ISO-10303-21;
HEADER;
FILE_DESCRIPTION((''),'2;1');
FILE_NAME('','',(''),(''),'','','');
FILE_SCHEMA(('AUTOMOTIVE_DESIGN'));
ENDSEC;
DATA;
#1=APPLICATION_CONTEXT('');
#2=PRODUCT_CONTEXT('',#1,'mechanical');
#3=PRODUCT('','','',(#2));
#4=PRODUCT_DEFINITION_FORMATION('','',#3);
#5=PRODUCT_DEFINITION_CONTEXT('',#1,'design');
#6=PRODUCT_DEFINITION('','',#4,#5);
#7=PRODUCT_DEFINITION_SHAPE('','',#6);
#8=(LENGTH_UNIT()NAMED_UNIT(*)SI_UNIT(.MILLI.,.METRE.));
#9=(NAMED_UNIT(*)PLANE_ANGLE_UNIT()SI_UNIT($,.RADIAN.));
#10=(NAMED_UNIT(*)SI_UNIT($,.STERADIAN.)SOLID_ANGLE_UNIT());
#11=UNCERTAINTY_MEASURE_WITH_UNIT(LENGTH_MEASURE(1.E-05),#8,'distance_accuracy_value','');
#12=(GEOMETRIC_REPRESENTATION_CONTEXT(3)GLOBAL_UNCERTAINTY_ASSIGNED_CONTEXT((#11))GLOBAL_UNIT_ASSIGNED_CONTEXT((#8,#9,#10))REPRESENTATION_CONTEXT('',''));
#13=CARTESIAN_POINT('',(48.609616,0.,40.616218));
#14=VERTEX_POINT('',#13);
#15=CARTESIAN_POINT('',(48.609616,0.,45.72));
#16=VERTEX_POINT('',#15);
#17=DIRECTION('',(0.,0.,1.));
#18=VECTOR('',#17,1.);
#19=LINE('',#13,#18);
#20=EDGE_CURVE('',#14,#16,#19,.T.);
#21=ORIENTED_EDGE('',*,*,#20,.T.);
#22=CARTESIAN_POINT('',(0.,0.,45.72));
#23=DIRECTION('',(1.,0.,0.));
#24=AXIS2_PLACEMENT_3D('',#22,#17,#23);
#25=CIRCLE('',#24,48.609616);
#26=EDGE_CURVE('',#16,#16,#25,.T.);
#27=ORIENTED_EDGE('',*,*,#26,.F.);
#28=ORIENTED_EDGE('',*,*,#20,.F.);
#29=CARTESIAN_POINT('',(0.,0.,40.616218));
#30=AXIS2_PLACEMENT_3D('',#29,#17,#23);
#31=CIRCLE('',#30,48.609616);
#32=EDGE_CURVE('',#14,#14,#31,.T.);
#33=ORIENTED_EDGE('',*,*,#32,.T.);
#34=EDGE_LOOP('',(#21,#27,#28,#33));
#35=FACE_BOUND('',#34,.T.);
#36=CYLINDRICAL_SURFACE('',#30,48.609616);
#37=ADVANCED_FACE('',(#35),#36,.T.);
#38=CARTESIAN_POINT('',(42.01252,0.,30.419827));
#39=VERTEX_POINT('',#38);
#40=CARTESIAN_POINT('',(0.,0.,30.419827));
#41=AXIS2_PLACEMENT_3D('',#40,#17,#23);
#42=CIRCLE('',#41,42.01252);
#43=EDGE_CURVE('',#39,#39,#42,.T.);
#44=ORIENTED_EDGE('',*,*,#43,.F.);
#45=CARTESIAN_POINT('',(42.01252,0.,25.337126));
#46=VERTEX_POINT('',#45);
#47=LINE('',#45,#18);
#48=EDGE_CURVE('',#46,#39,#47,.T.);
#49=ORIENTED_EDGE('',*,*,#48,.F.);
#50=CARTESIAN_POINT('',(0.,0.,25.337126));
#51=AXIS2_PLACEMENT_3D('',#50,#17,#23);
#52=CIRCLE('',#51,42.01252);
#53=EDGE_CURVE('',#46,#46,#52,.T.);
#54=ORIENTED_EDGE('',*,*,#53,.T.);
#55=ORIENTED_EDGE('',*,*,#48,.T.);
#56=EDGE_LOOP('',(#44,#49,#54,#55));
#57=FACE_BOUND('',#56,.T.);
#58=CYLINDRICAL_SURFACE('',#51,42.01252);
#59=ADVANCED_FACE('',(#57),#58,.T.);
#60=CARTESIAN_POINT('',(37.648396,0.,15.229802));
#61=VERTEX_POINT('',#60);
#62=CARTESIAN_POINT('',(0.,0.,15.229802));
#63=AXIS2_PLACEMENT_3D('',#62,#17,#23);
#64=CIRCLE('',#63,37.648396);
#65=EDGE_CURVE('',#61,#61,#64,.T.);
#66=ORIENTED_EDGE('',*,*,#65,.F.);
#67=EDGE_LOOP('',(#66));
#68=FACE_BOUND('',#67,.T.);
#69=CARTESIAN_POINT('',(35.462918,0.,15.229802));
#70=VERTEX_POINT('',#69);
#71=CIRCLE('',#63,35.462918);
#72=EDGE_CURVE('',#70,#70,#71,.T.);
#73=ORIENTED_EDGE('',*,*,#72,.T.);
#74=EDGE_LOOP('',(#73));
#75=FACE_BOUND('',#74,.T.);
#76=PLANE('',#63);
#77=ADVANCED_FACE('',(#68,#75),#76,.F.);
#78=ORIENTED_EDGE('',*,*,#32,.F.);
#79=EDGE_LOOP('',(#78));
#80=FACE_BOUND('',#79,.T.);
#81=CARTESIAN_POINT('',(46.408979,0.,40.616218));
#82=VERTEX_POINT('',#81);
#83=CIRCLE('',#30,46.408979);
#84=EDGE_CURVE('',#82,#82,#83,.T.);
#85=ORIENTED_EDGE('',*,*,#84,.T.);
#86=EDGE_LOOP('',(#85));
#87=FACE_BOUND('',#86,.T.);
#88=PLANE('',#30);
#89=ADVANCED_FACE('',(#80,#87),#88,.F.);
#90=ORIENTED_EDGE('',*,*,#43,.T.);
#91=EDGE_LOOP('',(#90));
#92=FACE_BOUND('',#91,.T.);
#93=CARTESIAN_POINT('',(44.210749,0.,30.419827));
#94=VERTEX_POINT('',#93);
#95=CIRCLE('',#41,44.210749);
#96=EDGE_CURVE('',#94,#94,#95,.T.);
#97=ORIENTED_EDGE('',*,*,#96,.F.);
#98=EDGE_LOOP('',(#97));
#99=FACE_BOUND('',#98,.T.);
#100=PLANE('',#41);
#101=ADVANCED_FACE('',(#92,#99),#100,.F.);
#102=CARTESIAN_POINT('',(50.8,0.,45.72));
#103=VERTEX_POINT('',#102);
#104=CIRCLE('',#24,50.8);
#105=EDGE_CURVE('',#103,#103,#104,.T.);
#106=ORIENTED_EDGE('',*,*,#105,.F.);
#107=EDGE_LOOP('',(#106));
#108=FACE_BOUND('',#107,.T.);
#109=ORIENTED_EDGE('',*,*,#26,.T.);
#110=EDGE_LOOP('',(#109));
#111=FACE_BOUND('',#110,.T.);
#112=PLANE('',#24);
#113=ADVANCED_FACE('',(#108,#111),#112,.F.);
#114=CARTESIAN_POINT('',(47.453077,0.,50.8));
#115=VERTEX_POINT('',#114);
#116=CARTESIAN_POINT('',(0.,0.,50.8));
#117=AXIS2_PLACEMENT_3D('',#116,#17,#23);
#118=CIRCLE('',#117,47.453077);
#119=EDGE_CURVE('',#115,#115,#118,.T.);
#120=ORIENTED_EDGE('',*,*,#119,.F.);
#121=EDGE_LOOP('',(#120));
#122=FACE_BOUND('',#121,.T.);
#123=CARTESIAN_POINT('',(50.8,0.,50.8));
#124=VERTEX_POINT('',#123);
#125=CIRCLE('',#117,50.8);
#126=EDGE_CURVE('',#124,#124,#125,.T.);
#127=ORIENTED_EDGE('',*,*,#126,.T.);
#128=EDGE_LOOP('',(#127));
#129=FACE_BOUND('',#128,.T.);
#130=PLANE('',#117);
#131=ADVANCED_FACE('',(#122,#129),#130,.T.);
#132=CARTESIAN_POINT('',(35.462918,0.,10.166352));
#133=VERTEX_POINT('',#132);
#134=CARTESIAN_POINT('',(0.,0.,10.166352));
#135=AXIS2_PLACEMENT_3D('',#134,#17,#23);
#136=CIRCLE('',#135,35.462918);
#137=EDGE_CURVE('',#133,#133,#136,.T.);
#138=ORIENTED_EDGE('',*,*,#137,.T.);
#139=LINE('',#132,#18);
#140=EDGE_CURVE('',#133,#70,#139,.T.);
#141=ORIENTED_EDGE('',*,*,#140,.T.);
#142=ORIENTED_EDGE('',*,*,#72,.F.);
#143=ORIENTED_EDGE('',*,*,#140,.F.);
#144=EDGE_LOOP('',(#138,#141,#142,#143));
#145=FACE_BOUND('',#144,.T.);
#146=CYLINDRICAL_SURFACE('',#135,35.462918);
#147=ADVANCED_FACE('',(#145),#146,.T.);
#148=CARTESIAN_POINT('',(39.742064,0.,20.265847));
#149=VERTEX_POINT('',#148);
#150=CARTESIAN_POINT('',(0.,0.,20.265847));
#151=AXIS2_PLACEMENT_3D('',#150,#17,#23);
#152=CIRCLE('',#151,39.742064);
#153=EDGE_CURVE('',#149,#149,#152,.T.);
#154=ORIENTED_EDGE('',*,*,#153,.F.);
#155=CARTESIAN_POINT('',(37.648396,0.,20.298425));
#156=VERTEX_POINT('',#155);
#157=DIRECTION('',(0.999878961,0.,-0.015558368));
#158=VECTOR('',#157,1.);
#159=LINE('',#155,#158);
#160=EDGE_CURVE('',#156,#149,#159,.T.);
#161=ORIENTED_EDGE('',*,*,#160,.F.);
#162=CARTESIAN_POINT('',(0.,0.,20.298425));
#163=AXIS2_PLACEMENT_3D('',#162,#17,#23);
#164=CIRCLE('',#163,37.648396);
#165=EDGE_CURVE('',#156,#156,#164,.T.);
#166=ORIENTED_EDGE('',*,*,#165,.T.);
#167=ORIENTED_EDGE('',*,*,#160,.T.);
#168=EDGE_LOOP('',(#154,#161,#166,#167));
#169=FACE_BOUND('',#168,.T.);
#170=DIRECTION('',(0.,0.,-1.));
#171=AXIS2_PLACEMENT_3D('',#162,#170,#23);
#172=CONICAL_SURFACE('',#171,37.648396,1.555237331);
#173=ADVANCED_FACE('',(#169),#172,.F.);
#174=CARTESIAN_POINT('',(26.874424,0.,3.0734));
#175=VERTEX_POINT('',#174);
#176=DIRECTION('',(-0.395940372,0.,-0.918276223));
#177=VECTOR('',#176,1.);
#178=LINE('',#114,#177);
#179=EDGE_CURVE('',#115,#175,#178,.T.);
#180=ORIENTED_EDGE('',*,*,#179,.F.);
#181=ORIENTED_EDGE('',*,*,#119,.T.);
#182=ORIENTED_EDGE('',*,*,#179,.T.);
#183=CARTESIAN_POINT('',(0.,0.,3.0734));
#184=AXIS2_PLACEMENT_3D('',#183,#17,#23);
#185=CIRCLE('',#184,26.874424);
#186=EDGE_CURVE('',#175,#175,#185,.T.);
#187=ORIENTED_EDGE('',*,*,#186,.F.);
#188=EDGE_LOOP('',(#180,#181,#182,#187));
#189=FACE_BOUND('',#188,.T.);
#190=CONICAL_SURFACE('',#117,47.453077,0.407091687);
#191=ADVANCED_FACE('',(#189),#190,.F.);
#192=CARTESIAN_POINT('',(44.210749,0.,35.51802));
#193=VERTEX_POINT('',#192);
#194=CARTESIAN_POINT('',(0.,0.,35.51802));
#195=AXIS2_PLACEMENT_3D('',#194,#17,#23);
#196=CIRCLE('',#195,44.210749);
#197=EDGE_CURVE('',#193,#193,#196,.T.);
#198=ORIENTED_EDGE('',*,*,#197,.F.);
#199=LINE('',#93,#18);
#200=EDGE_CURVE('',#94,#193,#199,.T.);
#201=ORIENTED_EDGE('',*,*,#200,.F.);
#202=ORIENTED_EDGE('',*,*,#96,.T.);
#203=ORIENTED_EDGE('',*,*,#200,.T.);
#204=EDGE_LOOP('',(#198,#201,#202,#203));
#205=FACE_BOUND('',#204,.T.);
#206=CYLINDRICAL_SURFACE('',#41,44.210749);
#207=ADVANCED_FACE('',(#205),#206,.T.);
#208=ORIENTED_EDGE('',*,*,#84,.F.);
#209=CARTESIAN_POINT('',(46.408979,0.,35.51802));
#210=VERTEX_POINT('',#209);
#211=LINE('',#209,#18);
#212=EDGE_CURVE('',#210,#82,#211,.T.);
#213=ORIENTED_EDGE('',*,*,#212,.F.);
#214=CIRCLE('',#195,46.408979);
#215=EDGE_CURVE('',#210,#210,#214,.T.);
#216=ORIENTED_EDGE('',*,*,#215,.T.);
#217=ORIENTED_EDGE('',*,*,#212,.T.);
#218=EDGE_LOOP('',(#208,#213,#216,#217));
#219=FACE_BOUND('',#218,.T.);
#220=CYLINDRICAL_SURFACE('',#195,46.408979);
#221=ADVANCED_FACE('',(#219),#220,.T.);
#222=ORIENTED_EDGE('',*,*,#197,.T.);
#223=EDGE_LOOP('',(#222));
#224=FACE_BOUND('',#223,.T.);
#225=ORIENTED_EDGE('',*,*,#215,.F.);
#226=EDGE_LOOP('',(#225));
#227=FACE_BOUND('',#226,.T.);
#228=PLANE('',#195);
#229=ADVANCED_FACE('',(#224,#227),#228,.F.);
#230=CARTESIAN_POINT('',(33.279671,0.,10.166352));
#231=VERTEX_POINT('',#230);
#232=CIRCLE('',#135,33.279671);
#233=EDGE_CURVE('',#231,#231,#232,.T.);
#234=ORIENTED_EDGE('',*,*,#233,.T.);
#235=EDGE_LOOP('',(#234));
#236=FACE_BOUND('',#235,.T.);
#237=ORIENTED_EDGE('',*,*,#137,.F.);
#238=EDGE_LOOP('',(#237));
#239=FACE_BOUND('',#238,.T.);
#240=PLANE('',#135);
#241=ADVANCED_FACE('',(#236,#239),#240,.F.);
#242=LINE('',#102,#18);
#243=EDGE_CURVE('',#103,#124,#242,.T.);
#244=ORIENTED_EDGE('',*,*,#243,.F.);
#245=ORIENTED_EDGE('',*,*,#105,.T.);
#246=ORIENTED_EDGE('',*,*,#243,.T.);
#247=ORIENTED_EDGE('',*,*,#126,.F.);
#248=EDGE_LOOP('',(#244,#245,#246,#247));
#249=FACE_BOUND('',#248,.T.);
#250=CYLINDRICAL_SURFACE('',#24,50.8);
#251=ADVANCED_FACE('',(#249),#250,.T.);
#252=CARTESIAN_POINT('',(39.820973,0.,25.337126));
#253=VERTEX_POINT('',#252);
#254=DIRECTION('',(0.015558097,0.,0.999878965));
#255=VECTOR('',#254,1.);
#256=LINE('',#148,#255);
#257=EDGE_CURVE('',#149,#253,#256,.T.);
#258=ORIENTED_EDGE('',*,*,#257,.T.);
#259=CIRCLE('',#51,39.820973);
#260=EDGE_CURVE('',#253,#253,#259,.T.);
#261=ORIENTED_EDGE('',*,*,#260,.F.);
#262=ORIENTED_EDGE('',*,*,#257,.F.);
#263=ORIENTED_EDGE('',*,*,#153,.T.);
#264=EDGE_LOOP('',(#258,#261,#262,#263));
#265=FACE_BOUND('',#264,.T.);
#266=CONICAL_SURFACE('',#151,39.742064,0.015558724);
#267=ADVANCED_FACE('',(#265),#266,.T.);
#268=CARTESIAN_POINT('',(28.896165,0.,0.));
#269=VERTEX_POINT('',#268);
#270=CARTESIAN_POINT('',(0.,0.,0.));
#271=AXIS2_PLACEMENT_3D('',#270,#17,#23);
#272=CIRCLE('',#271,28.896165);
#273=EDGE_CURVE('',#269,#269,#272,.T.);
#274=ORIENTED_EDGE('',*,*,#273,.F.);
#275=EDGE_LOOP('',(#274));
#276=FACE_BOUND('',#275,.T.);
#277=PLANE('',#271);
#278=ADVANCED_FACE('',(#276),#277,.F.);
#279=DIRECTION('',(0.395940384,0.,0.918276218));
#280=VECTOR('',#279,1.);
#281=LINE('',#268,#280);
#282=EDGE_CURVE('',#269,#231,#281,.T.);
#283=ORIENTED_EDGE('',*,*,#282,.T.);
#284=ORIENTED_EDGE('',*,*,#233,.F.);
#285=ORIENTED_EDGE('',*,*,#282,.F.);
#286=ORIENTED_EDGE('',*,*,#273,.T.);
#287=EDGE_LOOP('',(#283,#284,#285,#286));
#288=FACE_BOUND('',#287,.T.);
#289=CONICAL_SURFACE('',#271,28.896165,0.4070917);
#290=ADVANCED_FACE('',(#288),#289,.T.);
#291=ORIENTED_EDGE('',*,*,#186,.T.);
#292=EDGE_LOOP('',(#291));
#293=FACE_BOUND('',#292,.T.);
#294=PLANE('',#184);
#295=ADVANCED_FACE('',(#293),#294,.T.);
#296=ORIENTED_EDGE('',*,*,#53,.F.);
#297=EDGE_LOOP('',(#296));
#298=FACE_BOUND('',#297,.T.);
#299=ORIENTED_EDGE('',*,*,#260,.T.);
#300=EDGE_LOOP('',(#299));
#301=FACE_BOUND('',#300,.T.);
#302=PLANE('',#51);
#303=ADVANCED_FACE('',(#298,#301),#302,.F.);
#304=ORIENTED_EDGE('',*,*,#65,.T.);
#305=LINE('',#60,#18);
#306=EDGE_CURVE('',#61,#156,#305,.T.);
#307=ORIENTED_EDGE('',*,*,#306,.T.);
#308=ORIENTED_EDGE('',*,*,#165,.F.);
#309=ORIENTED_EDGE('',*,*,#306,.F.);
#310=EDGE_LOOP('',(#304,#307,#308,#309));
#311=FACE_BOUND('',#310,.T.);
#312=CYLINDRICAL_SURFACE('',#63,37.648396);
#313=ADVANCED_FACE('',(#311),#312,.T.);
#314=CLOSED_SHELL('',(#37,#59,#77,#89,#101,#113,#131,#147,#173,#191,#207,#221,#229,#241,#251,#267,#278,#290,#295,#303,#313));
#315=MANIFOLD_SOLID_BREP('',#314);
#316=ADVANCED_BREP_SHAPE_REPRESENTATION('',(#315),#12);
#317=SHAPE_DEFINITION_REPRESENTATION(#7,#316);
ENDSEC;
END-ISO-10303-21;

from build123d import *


with BuildPart() as f1:
    # F0 (on Front) → F1 (revolve)
    with BuildSketch(Plane.XZ):
        Polygon((0, 3.0734), (0, 0), (28.896165, 0), (33.279671, 10.166352), (35.462918, 15.229802), (37.648396, 20.298425), (39.820973, 25.337126), (42.01252, 30.419827), (44.210749, 35.51802), (46.408979, 40.616218), (48.609616, 45.72), (50.8, 50.8), (47.453077, 50.8), (26.874424, 3.0734), align=None)
        Polygon((35.462918, 15.229802), (33.279671, 10.166352), (35.462918, 10.166352), align=None)
        Polygon((37.648396, 20.298425), (35.462918, 15.229802), (37.648396, 15.229802), align=None)
        Polygon((39.820973, 25.337126), (37.648396, 20.298425), (39.742064, 20.265847), align=None)
        Polygon((42.01252, 30.419827), (39.820973, 25.337126), (42.01252, 25.337126), align=None)
        Polygon((44.210749, 35.51802), (42.01252, 30.419827), (44.210749, 30.419827), align=None)
        Polygon((46.408979, 35.51802), (46.408979, 40.616218), (44.210749, 35.51802), align=None)
        Polygon((50.8, 45.72), (50.8, 50.8), (48.609616, 45.72), align=None)
        Polygon((48.609616, 40.616218), (48.609616, 45.72), (46.408979, 40.616218), align=None)
    revolve(axis=Axis((0, 0, 25.4), (0, 0, 1)))


solid = f1.part
